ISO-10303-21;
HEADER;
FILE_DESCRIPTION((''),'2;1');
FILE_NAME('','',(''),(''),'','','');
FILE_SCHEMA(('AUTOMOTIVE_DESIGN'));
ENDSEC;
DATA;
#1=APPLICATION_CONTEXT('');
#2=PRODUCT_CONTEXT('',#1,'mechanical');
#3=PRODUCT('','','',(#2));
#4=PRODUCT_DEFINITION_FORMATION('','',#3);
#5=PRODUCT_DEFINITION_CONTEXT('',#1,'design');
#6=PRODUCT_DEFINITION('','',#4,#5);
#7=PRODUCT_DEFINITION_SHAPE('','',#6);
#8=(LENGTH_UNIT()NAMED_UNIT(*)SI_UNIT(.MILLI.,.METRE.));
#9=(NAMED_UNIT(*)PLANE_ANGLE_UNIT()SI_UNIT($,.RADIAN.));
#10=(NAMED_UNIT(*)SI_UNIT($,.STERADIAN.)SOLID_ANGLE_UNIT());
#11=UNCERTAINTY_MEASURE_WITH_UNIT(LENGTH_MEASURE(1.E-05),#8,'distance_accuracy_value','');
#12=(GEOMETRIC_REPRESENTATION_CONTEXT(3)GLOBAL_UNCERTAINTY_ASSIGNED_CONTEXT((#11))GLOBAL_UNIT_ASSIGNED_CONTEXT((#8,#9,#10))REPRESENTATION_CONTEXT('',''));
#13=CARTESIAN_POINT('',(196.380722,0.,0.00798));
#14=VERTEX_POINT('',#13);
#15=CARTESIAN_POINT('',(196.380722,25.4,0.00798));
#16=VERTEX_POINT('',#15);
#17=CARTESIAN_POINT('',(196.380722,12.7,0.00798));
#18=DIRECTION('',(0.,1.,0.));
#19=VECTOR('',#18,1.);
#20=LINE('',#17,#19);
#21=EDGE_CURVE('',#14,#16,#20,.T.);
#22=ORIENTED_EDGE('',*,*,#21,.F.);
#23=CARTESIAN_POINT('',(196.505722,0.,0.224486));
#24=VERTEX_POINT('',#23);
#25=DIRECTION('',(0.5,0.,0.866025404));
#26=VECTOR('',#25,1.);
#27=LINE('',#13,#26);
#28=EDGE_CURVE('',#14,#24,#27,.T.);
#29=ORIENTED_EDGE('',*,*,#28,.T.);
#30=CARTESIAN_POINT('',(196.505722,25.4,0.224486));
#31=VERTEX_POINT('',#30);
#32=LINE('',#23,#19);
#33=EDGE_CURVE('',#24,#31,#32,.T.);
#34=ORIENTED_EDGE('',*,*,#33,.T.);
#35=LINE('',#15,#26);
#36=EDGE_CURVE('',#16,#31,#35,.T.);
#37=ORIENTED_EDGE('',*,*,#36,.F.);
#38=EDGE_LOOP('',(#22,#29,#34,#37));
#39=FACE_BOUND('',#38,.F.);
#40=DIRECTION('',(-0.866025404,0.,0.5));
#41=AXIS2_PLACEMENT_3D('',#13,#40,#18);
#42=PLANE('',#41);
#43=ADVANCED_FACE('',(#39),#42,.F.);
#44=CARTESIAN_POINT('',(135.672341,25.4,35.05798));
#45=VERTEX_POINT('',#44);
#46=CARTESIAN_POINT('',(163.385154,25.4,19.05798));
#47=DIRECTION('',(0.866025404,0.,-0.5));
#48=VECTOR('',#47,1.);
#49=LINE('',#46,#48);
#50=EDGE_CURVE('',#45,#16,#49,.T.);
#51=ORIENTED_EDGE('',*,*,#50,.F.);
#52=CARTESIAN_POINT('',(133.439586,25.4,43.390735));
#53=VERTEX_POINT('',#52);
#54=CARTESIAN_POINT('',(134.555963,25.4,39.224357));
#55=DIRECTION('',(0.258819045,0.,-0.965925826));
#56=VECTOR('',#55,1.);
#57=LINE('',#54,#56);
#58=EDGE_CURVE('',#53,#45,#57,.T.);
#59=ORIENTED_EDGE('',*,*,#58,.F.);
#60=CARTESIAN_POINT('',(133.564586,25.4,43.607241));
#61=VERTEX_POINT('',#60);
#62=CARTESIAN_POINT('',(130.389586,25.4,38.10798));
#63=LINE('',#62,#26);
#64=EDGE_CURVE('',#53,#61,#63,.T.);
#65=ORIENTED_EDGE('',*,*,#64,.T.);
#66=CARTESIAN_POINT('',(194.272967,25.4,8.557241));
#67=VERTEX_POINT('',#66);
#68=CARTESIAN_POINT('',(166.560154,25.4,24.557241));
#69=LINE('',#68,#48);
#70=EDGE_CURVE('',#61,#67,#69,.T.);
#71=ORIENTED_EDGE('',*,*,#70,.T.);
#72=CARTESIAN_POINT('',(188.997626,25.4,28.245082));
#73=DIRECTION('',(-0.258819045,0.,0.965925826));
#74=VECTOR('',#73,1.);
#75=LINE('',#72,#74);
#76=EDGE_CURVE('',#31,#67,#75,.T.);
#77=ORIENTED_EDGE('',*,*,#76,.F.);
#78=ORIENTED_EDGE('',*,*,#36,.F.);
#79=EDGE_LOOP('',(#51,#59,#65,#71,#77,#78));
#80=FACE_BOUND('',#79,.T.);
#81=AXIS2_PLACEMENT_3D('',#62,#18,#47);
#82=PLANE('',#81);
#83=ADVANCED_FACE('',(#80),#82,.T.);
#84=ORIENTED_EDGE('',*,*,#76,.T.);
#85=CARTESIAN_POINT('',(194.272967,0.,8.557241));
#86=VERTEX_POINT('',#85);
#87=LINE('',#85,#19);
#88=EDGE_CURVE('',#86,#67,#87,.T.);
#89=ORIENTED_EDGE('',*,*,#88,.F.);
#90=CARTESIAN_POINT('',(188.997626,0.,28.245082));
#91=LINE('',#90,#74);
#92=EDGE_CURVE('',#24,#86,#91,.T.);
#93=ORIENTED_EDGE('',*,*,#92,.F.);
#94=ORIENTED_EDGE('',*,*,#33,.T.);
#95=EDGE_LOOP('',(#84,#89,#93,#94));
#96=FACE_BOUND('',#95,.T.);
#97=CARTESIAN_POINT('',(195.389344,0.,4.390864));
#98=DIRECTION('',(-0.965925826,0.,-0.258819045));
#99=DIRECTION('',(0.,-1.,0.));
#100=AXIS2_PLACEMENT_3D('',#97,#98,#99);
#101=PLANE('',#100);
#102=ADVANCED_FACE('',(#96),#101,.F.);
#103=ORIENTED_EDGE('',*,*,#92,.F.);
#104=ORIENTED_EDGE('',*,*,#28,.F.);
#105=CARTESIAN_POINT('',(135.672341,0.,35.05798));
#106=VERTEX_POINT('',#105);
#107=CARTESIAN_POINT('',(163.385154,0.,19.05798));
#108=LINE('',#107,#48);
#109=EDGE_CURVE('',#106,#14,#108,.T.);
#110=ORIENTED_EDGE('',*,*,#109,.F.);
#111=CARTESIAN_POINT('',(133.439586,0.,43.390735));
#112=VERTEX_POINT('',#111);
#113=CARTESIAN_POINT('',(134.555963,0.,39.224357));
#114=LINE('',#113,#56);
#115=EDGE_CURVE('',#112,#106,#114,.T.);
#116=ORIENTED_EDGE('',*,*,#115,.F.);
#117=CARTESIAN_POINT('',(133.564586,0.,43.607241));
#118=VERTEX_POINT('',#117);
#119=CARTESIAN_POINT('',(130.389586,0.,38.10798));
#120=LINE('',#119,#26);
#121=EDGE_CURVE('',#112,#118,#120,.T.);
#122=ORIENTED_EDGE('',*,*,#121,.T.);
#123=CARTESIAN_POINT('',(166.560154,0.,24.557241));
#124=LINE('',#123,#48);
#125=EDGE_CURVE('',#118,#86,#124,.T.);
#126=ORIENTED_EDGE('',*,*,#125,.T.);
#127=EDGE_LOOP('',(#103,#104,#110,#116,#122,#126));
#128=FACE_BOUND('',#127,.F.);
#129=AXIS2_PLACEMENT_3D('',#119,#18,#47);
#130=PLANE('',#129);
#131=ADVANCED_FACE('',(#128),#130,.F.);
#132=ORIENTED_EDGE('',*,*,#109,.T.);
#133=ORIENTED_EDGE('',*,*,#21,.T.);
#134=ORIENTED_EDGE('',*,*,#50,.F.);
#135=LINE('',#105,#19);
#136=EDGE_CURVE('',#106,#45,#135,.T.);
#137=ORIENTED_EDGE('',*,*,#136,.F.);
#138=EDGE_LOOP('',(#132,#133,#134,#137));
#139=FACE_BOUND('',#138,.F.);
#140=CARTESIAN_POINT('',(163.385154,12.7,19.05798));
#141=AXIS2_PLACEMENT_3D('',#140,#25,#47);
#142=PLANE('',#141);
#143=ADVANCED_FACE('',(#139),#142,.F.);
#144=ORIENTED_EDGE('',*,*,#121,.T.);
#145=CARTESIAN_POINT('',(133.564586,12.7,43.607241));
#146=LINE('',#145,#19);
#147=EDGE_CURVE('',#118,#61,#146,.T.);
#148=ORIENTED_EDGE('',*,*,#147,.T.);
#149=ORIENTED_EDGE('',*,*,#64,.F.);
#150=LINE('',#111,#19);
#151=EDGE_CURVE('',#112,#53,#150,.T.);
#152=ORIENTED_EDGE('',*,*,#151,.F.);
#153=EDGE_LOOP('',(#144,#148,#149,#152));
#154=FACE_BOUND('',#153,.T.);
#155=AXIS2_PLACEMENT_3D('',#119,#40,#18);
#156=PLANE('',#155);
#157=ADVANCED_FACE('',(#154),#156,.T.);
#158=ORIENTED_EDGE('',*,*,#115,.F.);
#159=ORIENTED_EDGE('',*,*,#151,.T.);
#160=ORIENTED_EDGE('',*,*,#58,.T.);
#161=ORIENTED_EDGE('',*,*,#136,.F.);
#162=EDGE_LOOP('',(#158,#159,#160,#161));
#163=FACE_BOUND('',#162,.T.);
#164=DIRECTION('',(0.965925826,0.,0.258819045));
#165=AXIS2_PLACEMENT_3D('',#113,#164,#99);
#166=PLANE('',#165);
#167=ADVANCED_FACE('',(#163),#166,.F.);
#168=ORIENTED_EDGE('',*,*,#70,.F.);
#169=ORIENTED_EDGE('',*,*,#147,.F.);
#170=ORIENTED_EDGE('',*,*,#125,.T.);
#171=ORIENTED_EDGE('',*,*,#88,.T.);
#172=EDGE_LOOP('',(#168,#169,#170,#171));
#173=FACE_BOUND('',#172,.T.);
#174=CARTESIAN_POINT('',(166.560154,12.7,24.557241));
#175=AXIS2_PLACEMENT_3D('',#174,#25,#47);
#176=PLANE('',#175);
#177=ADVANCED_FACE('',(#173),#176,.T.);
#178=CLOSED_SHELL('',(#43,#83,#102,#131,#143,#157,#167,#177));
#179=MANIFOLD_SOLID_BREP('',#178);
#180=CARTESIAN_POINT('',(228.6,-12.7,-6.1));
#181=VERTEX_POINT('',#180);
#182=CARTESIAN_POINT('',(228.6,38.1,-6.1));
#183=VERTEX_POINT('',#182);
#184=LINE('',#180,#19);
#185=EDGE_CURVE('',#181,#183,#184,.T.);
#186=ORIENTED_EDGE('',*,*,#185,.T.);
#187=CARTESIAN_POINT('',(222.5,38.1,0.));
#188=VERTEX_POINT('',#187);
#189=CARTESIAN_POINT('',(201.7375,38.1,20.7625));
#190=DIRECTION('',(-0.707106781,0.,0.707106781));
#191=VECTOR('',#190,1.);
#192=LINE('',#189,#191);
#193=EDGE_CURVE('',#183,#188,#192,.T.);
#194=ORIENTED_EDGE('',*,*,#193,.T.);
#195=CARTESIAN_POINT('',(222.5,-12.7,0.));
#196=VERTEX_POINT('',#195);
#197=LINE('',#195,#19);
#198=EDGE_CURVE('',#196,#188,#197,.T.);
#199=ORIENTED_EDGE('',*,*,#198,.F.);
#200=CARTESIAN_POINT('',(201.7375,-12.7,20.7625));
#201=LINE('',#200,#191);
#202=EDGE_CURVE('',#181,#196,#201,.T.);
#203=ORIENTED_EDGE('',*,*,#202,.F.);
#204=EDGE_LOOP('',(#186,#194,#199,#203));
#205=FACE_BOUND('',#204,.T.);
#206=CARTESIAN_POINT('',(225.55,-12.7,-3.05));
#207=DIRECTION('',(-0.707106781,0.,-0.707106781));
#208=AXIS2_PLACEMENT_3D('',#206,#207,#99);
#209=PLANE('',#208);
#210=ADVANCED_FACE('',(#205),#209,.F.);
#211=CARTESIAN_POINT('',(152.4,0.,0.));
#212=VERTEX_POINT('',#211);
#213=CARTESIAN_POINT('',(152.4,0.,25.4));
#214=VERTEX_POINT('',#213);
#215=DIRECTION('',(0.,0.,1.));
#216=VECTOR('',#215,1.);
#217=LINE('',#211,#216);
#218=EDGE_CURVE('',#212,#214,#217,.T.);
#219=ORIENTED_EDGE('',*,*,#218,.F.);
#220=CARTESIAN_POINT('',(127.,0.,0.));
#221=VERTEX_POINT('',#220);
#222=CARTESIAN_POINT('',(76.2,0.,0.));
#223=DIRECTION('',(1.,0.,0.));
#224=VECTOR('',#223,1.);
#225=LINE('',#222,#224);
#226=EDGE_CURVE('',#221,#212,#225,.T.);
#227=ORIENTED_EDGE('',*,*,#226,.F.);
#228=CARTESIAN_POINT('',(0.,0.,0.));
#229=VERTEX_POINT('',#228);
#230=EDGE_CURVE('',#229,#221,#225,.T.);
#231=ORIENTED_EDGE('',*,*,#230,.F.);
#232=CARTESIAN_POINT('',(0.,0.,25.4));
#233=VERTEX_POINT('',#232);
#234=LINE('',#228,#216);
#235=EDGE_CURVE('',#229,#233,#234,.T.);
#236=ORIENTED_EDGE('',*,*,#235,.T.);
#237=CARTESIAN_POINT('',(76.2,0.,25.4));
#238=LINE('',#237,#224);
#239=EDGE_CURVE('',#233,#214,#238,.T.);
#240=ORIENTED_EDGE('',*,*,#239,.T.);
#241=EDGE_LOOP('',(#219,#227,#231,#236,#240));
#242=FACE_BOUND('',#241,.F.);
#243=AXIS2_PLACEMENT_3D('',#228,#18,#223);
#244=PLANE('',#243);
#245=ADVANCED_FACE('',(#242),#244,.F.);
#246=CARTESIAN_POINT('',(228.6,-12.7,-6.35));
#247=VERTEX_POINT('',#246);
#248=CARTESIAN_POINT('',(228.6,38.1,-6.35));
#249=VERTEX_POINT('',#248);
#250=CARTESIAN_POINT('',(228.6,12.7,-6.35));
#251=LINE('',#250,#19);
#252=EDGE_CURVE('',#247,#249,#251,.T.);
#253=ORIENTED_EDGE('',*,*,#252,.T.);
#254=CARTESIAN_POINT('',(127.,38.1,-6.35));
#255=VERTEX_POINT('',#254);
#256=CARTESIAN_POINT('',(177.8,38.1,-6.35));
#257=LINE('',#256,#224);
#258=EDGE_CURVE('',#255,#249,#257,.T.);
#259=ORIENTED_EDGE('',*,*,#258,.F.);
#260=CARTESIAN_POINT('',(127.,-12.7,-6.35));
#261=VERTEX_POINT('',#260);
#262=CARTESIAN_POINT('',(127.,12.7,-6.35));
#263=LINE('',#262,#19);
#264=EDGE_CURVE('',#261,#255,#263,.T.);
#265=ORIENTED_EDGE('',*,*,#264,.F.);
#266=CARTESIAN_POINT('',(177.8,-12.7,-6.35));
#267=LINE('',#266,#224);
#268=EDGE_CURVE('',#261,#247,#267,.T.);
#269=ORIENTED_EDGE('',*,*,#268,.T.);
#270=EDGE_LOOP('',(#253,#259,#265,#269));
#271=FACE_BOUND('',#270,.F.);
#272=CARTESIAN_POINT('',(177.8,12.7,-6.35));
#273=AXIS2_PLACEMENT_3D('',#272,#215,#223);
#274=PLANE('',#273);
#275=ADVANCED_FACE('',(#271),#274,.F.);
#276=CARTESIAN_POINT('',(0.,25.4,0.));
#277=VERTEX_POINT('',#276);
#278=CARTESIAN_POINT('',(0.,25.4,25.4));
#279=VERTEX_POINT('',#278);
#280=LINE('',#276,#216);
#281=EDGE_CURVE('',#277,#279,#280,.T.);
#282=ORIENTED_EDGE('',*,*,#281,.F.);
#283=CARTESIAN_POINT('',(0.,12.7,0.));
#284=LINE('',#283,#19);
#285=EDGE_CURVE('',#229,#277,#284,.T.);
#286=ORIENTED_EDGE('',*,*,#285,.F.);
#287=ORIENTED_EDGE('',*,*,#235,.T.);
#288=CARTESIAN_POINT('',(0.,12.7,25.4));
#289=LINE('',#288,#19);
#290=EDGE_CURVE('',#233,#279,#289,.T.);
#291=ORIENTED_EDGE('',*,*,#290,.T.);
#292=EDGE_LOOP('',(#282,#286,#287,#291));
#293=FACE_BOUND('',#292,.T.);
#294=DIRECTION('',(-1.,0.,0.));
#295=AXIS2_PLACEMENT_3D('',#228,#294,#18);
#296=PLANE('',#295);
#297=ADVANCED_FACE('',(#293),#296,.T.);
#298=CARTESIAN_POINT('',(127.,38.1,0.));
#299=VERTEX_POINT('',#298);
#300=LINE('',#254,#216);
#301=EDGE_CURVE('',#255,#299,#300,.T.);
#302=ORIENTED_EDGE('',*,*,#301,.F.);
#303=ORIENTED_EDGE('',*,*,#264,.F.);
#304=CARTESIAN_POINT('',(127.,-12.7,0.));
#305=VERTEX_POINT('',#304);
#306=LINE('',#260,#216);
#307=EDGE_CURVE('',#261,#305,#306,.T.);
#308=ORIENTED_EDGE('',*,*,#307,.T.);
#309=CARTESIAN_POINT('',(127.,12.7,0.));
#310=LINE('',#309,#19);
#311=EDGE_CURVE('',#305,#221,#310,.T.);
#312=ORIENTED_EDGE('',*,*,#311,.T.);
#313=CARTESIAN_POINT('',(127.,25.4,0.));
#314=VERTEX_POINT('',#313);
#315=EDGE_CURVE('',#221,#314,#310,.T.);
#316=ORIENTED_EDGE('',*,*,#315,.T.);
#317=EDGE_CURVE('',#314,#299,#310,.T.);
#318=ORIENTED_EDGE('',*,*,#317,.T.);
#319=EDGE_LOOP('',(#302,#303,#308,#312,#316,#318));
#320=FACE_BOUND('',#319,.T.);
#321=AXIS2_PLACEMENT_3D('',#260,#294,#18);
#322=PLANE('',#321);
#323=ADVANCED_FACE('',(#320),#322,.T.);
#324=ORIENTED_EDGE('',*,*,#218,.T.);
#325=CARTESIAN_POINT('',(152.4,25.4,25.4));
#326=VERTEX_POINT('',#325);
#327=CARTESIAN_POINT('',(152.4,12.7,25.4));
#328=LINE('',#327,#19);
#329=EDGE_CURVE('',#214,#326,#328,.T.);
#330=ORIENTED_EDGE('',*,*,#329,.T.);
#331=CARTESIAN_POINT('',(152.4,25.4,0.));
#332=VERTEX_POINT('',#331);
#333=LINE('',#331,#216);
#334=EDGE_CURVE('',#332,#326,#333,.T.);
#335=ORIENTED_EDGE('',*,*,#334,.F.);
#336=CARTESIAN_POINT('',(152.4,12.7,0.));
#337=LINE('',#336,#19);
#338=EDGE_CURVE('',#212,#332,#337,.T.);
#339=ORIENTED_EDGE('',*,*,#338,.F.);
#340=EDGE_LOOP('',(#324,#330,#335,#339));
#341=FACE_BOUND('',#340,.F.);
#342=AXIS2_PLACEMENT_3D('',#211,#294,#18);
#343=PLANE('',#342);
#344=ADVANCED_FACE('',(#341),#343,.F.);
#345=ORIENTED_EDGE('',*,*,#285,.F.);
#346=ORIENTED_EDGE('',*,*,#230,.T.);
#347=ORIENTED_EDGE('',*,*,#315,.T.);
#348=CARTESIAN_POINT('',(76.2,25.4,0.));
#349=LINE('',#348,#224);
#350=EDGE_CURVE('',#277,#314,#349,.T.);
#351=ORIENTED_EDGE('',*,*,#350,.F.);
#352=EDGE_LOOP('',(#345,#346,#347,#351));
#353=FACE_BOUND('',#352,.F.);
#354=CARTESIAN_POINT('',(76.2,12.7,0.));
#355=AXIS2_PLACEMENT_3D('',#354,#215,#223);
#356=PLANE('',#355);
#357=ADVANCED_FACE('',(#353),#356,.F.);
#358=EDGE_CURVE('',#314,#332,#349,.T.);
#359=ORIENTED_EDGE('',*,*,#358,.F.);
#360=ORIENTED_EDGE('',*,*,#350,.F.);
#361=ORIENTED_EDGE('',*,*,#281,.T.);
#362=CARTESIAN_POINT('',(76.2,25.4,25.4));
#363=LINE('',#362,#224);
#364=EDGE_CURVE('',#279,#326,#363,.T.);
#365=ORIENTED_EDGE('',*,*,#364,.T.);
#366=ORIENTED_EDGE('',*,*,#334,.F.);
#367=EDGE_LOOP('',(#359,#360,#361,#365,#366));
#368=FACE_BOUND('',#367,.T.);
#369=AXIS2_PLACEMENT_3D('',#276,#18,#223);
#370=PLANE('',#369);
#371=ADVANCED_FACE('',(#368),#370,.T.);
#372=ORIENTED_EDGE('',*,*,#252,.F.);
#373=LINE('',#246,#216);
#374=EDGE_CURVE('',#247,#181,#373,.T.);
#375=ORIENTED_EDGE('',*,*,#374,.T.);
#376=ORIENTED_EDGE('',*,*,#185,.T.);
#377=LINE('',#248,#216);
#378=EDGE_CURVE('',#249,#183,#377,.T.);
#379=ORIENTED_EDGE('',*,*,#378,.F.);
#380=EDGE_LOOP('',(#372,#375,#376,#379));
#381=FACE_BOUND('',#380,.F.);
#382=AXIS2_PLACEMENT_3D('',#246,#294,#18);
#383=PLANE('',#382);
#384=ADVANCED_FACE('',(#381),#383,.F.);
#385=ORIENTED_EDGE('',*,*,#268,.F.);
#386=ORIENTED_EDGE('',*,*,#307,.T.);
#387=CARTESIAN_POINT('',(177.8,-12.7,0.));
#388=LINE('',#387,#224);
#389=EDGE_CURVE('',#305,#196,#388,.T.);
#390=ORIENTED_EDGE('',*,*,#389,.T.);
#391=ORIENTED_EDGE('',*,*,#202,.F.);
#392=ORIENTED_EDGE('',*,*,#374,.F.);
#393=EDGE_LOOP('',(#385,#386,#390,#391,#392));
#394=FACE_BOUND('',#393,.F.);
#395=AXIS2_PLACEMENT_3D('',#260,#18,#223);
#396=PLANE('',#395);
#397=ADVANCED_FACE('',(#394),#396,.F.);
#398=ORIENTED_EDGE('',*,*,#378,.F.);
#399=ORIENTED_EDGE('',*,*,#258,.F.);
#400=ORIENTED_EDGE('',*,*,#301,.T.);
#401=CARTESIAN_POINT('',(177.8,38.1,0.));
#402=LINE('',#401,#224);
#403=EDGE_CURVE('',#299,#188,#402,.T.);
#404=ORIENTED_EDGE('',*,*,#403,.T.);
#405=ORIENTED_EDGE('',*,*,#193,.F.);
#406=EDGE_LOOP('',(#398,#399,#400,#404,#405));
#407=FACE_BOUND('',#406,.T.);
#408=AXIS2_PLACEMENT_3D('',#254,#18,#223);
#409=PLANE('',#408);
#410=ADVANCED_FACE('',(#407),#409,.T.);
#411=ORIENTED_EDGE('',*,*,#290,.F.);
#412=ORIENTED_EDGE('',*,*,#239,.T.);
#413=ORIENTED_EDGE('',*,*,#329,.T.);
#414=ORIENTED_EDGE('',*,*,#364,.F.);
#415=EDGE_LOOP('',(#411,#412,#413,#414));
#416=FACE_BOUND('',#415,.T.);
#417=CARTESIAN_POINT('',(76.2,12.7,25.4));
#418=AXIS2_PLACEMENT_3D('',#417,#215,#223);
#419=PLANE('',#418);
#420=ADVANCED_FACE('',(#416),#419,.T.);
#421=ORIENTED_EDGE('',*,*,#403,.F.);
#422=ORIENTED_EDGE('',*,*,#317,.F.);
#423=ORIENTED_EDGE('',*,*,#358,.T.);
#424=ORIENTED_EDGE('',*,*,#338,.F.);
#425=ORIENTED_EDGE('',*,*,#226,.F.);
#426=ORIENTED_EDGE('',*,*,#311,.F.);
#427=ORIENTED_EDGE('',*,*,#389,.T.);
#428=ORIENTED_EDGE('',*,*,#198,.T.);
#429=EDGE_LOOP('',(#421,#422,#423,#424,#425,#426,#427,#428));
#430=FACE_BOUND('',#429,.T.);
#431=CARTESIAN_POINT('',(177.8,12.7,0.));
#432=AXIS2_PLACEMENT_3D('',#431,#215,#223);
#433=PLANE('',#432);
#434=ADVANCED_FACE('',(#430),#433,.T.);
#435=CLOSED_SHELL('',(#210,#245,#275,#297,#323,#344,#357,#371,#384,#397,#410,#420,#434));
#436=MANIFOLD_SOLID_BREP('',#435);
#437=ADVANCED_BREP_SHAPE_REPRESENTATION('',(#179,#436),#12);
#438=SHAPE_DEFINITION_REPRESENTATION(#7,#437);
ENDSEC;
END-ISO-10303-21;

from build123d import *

# Parameters (mm, degrees)
BOX002_W               = 76.2
BOX002_H               = 25.4
BOX002_DEPTH           = 6.35
BOX002_PLACEMENT_ANGLE = 30
CHAMFER001_SIZE        = 6.1
BOX001_W               = 101.6
BOX001_H               = 50.8
BOX001_DEPTH           = 6.35
CHAMFER_SIZE           = 6.1
BOX_W                  = 152.4
BOX_H                  = 25.4
BOX_DEPTH              = 25.4


with BuildPart() as breaker_bar:
    # Box002 → Box002 (new body)
    with BuildSketch(Plane.XY):
        with Locations((38.1, 12.7)):
            Rectangle(BOX002_W, BOX002_H)
    extrude(amount=BOX002_DEPTH)


with BuildPart() as breaker_bar_1:
    # Box002 placement: moved
    add(breaker_bar.part.moved(Location((130.389586, -0.875268, 38.10798))).rotate(Axis((130.389586, -0.875268, 38.10798), (0, 1, 0)), BOX002_PLACEMENT_ANGLE))

    # Chamfer001
    chamfer001_edges = [breaker_bar_1.edges().sort_by_distance(p)[0] for p in [
        (130.389586, 11.824732, 38.10798),
        (199.555722, 11.824732, 5.507241),
    ]]
    chamfer(chamfer001_edges, length=CHAMFER001_SIZE)


with BuildPart() as breaker_bar_2:
    # Chamfer001 placement: moved
    add(breaker_bar_1.part.moved(Location((0, 0.875268, 0))))


with BuildPart() as knife:
    # Box001 → Box001 (new body)
    with BuildSketch(Plane(origin=(127, -12.7, -6.35), x_dir=(1, 0, 0), z_dir=(0, 0, 1))):
        with Locations((50.8, 25.4)):
            Rectangle(BOX001_W, BOX001_H)
    extrude(amount=BOX001_DEPTH)

    # Chamfer
    chamfer_edges = [knife.edges().sort_by_distance(p)[0] for p in [
        (228.6, 12.7, 0),
    ]]
    chamfer(chamfer_edges, length=CHAMFER_SIZE)


with BuildPart() as tooth_bar:
    # Box → Box (new body)
    with BuildSketch(Plane.XY):
        with Locations((76.2, 12.7)):
            Rectangle(BOX_W, BOX_H)
    extrude(amount=BOX_DEPTH)

    # Fusion: union Breaker bar, Knife
    add(breaker_bar_2.part)
    add(knife.part)


solid = tooth_bar.part
